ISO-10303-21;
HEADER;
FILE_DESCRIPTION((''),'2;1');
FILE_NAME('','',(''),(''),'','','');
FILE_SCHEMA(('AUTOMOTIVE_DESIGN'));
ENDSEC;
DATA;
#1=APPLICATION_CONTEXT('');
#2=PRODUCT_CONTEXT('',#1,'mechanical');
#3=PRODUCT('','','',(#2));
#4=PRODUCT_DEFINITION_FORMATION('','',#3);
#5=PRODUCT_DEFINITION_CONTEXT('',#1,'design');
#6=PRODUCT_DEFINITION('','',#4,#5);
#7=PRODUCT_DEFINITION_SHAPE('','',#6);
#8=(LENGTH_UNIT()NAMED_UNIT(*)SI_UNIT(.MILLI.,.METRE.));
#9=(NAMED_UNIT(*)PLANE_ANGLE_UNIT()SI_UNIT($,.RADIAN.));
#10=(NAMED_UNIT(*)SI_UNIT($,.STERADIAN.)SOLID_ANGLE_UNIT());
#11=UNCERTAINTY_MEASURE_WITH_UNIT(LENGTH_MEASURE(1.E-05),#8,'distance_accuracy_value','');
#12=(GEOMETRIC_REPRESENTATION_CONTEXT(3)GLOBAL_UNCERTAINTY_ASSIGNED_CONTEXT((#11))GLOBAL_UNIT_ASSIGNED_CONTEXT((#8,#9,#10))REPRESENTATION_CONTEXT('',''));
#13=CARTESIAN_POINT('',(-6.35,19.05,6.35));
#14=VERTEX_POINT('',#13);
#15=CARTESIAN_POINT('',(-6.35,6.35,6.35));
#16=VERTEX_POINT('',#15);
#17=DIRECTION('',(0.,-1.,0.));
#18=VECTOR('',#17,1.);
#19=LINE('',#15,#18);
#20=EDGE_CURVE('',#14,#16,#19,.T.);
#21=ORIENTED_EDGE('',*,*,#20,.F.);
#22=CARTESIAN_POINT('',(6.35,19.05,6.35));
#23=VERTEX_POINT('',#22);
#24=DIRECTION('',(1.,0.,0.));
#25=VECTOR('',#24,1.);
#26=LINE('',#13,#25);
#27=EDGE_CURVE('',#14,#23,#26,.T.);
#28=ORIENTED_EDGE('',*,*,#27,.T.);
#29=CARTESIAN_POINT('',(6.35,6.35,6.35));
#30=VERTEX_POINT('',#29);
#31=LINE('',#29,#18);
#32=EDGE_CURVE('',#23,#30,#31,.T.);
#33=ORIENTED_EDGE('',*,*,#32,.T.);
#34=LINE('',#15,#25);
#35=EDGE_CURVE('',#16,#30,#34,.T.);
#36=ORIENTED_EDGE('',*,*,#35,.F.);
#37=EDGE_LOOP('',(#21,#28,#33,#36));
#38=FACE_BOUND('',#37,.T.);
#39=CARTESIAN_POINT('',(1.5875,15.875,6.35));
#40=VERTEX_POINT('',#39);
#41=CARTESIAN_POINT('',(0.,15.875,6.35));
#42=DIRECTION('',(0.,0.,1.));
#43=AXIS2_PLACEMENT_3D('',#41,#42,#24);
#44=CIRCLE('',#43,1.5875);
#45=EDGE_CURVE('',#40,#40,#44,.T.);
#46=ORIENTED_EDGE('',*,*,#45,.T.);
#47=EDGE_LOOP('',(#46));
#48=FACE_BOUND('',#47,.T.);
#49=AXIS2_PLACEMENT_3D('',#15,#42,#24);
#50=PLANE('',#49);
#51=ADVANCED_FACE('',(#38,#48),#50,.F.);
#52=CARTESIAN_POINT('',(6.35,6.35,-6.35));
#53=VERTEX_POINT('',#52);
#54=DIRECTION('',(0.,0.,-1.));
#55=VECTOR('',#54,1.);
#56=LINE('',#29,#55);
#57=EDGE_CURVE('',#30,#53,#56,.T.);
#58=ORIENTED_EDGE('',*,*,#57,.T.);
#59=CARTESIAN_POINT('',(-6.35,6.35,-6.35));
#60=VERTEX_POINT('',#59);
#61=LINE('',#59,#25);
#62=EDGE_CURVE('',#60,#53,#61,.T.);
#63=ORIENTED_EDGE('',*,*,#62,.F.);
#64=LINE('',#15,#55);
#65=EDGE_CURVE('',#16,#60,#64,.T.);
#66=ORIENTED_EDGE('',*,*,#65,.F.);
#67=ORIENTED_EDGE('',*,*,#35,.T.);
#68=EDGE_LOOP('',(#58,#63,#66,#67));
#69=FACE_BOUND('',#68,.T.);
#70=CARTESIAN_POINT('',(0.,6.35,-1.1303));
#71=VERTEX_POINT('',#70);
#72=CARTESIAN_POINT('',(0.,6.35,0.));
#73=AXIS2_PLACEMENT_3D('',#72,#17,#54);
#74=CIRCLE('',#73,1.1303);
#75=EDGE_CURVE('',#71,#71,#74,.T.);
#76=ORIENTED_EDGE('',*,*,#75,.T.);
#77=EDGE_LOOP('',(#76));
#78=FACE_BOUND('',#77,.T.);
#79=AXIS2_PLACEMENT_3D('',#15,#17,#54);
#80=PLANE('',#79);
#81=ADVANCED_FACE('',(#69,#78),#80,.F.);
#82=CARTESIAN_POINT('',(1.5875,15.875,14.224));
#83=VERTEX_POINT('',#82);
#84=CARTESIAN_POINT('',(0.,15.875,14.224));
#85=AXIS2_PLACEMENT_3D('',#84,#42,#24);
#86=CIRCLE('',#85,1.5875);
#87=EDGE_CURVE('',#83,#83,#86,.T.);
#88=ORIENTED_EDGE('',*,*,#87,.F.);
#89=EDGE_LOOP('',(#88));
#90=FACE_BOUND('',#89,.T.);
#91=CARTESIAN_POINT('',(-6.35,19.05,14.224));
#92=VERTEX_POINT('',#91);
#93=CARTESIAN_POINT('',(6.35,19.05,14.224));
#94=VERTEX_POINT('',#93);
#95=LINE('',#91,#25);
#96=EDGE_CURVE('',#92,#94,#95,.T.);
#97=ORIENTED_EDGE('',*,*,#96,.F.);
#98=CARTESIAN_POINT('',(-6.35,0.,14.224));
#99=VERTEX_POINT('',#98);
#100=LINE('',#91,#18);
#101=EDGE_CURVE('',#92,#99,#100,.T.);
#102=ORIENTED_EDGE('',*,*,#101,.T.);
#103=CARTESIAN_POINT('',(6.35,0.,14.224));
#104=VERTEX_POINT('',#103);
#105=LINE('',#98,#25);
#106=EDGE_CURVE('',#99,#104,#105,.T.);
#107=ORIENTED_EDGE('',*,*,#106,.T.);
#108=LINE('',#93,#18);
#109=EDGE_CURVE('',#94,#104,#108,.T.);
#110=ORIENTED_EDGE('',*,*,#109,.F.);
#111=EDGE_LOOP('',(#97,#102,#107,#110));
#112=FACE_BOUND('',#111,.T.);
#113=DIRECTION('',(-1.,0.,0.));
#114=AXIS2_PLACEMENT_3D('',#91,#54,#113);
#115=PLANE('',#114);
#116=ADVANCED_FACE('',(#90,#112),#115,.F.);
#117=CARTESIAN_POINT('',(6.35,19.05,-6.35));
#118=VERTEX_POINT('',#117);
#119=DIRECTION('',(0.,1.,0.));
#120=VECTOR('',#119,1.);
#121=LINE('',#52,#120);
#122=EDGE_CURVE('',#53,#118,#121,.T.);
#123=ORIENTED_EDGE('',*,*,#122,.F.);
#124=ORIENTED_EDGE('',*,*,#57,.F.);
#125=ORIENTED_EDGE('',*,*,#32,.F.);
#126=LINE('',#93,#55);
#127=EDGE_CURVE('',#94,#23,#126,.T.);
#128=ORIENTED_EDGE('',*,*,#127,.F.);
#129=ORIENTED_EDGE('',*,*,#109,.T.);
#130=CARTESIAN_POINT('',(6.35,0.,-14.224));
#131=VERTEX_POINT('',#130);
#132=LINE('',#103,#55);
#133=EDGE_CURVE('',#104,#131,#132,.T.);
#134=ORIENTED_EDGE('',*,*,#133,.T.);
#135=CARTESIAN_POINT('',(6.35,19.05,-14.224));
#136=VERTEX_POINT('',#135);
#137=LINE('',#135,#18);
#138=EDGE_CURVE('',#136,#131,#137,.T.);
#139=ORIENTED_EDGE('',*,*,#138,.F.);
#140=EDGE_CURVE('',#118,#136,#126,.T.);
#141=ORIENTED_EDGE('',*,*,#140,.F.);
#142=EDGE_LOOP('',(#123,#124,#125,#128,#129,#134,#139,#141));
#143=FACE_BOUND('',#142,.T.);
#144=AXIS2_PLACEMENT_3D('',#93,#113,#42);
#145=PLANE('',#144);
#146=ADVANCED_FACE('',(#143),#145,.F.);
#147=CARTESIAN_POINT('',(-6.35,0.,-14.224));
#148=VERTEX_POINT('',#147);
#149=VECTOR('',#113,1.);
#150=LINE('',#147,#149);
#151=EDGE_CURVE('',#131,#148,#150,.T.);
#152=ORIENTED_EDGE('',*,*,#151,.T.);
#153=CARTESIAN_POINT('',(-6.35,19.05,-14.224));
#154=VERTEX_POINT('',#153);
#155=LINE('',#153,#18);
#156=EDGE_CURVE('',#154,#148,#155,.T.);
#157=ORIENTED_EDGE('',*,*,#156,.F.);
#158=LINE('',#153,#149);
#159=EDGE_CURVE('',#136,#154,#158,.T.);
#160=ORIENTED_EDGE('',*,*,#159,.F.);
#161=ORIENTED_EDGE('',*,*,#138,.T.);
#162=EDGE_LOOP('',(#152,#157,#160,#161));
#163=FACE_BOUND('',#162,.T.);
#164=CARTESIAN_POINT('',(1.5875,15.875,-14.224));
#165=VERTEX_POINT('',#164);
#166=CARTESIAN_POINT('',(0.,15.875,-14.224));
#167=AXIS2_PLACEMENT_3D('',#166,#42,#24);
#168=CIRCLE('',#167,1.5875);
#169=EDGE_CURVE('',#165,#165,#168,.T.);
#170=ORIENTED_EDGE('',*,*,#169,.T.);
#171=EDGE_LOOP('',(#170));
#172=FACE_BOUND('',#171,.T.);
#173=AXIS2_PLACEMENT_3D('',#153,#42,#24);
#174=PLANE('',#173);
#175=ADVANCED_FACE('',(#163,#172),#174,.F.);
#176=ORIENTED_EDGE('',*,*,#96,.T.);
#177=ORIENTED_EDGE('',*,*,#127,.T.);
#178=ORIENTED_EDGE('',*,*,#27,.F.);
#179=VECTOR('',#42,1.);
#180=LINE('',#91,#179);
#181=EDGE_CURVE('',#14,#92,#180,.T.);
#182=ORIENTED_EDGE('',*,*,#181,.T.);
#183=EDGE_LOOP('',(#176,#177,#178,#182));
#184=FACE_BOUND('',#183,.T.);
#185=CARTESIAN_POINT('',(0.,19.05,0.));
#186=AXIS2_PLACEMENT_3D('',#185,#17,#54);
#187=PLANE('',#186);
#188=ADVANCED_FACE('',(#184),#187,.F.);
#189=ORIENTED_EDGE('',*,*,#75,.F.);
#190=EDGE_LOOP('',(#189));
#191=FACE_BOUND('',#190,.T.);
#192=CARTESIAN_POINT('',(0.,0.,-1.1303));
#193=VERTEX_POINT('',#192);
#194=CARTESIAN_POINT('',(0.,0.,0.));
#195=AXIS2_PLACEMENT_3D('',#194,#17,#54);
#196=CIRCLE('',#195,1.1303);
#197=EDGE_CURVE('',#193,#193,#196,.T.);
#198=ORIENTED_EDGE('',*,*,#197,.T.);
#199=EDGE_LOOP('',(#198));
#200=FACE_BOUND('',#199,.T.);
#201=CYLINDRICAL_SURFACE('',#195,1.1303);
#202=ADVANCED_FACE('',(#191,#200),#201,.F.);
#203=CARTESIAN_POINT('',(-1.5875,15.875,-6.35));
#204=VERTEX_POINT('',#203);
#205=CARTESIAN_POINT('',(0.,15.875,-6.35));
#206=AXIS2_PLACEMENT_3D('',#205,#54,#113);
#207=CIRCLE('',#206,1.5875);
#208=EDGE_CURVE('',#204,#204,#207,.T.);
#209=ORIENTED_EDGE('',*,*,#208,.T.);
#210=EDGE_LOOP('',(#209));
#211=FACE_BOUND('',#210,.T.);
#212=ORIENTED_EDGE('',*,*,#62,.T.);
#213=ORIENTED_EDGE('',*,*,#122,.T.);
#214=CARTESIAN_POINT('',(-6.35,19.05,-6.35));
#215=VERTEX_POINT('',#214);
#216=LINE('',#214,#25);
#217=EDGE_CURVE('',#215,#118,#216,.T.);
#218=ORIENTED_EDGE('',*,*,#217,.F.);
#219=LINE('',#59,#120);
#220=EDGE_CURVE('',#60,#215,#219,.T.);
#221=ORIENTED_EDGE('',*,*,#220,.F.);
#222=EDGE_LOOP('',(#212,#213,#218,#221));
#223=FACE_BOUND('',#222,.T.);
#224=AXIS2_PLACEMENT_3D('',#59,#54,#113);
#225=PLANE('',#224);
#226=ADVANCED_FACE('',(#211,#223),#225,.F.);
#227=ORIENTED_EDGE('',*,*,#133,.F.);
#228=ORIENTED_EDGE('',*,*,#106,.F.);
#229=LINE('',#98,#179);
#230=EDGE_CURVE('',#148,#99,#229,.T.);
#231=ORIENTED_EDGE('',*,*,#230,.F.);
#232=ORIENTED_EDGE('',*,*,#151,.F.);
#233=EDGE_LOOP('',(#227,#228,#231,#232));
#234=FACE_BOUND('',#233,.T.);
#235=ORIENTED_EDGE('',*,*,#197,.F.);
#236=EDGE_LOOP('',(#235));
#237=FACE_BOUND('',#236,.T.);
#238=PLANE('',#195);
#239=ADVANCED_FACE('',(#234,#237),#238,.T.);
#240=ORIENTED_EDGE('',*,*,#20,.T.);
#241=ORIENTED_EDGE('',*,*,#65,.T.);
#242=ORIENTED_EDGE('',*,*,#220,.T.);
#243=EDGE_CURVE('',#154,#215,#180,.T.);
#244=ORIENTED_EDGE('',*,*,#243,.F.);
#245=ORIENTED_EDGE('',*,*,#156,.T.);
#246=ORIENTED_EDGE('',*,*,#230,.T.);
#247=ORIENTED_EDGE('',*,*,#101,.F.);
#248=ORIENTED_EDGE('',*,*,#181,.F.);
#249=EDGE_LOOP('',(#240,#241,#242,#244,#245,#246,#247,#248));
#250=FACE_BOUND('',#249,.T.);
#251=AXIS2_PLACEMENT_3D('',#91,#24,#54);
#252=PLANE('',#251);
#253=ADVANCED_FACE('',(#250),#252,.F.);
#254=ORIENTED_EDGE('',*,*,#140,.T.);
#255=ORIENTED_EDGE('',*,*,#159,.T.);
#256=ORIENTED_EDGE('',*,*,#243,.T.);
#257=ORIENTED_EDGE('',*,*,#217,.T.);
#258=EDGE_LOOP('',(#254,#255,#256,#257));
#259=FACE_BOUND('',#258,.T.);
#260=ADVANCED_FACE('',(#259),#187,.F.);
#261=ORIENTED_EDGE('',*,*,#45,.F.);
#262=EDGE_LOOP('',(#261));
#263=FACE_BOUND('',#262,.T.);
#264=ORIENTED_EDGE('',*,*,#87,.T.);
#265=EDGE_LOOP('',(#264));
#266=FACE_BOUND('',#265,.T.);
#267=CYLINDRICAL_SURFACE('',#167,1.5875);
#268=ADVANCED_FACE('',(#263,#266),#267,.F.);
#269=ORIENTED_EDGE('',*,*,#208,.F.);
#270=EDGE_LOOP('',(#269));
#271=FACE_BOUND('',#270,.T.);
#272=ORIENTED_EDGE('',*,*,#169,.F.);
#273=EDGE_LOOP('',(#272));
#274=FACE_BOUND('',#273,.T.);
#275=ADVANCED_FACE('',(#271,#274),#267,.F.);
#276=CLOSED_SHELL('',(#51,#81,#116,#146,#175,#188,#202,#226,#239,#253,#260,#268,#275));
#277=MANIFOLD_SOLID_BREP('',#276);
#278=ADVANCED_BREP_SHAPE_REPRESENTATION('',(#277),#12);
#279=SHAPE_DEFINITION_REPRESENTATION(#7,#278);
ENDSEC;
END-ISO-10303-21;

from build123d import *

# Parameters (mm, degrees)
SKETCH1_W             = 12.7
SKETCH1_H             = 28.448
BOSS_EXTRUDE1_DEPTH   = 19.05
SKETCH2_W             = 12.7
SKETCH2_H             = 12.7
CUT_EXTRUDE1_DEPTH    = 27.953936188
SKETCH5_R             = 1.5875
CUT_EXTRUDE2_DEPTH    = 35.82116747
F_4_40_TAPPED_HOLE1_D = 2.2606


with BuildPart() as part:
    # Sketch1 → Boss-Extrude1 (new body)
    with BuildSketch(Plane(origin=(0, 0, 0), x_dir=(1, 0, 0), z_dir=(0, 1, 0))):
        Rectangle(SKETCH1_W, SKETCH1_H)
    extrude(amount=BOSS_EXTRUDE1_DEPTH)

    # Sketch2 → Cut-Extrude1 (cut, through all)
    with BuildSketch(Plane(origin=(6.35, 0, 0), x_dir=(0, 0, -1), z_dir=(1, 0, 0))):
        with Locations((0, 12.7)):
            Rectangle(SKETCH2_W, SKETCH2_H)
    extrude(amount=-CUT_EXTRUDE1_DEPTH, mode=Mode.SUBTRACT)

    # Sketch5 → Cut-Extrude2 (cut, through all)
    with BuildSketch(Plane.XY.offset(14.224)):
        with Locations((0, 15.875)):
            Circle(SKETCH5_R)
    extrude(amount=-CUT_EXTRUDE2_DEPTH, mode=Mode.SUBTRACT)

    # #4-40 Tapped Hole1 (through all)
    with Locations(Plane(origin=(0, 0, 0), x_dir=(-1, 0, 0), z_dir=(0, -1, 0))):
        with Locations((0, 0)):
            Hole(F_4_40_TAPPED_HOLE1_D / 2)


solid = part.part
